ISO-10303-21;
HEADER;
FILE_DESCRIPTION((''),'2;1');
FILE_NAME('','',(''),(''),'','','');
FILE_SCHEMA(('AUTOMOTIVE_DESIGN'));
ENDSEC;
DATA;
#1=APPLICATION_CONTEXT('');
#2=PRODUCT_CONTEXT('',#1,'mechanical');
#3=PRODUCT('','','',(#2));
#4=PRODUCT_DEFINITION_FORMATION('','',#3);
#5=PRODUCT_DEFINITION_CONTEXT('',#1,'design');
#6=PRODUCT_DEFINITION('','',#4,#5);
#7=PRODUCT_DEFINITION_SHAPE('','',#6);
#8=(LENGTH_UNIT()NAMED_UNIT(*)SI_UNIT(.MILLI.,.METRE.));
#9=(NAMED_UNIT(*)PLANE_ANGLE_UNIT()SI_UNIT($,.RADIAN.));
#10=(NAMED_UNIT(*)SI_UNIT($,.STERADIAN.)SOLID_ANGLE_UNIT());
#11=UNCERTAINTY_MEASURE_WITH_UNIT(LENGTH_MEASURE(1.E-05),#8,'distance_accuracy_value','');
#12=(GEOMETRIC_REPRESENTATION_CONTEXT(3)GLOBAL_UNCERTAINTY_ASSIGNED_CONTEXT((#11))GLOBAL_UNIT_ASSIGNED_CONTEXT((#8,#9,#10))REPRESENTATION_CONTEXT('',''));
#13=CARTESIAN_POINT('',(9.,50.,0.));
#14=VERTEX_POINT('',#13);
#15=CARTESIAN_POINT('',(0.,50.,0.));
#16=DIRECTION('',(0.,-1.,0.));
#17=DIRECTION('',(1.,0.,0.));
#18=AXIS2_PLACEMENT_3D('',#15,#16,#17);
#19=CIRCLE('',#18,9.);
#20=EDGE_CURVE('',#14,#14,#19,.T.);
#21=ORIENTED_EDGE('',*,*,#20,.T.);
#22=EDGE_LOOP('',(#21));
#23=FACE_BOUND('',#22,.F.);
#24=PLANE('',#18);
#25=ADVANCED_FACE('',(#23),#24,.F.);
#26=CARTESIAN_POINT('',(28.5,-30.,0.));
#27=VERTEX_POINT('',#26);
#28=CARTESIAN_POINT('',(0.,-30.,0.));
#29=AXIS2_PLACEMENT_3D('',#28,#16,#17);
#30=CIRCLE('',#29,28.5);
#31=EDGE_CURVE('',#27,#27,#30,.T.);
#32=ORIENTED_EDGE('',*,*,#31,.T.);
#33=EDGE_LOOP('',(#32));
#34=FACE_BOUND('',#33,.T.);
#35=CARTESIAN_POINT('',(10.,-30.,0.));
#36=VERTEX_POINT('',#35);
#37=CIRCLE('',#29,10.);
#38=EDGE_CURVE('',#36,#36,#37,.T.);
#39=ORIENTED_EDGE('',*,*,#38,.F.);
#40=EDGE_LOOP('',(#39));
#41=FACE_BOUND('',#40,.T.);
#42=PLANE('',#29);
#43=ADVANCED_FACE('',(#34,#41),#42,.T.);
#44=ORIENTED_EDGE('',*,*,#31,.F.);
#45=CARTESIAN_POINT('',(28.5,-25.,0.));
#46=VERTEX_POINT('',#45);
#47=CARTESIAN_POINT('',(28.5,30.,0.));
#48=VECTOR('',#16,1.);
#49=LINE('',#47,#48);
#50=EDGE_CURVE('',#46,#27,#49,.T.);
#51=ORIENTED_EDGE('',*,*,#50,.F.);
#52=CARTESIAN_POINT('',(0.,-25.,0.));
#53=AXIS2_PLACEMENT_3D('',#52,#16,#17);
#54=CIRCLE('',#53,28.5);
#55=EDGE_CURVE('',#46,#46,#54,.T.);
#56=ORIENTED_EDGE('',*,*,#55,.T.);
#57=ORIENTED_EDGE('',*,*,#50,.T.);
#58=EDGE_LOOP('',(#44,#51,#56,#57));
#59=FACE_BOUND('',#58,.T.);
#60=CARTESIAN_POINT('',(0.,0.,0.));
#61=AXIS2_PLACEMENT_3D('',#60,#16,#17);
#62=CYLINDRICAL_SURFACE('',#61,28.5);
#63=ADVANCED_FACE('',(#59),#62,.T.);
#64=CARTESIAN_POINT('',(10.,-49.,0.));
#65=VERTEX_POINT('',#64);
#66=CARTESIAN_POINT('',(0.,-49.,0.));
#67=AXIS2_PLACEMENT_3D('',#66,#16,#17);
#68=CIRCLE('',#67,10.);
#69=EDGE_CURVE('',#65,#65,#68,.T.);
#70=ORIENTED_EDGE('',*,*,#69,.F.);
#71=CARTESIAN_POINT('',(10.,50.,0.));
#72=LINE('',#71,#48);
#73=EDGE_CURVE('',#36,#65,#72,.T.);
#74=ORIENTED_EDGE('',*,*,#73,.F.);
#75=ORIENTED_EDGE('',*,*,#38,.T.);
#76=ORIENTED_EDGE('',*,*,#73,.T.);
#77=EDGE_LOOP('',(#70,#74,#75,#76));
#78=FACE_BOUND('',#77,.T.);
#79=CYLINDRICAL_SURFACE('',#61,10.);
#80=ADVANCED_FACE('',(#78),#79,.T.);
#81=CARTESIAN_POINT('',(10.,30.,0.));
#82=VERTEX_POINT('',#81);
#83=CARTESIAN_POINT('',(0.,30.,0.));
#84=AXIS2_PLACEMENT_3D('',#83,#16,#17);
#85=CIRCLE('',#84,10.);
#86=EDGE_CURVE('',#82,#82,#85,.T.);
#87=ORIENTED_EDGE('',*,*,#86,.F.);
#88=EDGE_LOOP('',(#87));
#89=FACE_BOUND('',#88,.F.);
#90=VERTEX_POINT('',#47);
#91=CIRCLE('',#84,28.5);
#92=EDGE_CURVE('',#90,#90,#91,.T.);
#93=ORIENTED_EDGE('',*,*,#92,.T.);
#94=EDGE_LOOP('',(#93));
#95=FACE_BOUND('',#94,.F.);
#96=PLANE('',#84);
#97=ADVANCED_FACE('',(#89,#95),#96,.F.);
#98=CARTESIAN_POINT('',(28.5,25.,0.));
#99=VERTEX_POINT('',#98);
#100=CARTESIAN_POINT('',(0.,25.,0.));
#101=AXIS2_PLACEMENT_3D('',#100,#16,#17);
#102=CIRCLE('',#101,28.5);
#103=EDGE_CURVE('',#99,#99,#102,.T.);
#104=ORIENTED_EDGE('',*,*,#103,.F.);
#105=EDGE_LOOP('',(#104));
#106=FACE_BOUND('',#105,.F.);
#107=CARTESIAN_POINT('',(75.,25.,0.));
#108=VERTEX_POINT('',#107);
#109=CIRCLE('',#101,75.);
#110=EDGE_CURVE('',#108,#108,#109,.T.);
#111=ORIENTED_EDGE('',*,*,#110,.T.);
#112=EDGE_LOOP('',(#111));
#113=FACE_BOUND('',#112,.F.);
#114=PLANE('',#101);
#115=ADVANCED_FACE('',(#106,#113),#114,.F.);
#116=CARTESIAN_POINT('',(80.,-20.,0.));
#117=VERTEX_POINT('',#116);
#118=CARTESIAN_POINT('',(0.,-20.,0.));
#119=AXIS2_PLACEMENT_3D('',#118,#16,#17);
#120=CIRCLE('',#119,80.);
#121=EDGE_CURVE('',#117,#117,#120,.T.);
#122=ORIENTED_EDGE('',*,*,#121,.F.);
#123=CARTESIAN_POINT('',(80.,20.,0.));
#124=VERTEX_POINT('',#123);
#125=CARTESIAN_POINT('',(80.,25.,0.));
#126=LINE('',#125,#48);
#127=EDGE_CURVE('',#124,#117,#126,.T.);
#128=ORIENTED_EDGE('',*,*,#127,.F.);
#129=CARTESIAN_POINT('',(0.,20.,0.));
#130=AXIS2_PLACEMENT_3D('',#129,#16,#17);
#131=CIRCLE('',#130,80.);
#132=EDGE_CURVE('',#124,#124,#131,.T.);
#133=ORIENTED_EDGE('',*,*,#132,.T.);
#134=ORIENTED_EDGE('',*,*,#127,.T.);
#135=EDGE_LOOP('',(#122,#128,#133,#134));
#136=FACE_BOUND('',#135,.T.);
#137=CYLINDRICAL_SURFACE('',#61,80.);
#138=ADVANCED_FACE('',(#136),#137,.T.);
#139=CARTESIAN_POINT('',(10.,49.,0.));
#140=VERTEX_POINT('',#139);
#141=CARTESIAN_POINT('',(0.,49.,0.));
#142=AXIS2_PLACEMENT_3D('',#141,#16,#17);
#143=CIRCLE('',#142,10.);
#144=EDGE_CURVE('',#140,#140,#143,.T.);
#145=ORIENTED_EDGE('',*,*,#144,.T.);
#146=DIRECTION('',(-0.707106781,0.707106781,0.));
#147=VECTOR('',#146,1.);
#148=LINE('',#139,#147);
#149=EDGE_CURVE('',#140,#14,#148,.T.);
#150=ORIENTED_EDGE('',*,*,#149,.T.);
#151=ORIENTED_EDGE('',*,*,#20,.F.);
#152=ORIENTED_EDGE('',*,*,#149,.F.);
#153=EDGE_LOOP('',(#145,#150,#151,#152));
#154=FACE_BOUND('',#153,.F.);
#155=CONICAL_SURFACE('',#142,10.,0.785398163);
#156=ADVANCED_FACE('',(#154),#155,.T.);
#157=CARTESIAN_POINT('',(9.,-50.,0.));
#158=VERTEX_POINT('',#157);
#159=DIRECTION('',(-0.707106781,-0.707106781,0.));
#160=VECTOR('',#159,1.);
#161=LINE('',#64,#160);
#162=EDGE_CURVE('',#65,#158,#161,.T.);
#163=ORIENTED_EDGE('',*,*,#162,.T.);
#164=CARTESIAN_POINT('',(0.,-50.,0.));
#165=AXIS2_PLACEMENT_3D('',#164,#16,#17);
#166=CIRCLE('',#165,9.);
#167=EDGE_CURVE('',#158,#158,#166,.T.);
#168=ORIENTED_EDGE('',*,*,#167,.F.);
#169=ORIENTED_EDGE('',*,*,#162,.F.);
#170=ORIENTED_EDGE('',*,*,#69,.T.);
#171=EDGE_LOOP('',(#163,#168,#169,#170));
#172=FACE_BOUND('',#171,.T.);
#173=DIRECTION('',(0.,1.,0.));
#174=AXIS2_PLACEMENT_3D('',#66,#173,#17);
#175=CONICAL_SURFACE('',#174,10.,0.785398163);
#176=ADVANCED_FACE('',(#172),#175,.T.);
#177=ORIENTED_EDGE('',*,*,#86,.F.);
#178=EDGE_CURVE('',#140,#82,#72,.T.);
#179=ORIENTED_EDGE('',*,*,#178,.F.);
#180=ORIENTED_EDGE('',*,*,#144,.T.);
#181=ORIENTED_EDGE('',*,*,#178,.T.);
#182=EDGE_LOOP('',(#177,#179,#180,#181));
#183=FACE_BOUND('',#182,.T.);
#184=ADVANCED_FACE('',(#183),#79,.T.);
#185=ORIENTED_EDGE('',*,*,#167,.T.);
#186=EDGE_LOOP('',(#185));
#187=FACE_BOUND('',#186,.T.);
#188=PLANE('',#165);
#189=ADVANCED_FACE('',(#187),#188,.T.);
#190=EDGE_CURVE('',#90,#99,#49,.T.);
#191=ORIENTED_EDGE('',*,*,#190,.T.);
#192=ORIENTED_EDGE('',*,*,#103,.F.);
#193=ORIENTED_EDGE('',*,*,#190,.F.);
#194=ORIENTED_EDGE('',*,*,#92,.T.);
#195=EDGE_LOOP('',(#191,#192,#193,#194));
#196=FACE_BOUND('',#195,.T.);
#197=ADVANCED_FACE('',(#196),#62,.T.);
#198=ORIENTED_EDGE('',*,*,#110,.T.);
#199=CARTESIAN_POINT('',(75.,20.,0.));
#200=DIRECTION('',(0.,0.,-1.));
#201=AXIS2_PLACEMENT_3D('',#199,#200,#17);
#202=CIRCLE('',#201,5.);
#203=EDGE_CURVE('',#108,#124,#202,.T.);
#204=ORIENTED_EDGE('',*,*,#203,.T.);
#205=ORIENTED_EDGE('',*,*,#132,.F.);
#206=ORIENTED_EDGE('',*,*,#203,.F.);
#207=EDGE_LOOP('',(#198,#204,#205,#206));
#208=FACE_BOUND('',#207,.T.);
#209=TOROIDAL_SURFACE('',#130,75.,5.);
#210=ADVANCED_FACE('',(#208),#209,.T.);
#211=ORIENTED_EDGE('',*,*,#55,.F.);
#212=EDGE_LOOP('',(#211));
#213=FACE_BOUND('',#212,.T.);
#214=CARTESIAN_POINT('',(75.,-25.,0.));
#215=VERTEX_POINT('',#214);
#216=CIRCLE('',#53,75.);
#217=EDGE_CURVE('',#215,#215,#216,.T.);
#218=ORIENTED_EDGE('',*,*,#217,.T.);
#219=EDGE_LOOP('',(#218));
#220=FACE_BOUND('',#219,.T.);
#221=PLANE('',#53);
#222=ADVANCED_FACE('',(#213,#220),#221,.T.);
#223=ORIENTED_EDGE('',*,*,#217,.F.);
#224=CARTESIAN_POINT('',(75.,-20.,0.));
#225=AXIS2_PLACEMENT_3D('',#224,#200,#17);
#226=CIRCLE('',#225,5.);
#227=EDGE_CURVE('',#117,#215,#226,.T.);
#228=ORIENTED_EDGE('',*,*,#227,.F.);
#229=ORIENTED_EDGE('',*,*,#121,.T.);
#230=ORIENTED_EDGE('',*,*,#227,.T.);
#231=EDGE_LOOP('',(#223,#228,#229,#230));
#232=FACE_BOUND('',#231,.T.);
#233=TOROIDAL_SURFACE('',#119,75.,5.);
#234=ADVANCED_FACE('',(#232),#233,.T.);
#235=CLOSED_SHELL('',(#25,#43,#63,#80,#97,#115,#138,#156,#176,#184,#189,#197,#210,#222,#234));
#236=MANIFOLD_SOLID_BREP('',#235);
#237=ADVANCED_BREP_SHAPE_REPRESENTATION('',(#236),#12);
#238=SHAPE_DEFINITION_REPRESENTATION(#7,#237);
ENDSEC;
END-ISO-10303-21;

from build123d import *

# Parameters (mm, degrees)
F0_R     = 80
F0_R_2   = 75
F0_R_3   = 28.5
F1_DEPTH = 25
F0_R_4   = 10
F2_DEPTH = 30
F3_DEPTH = 50
F4_R     = 5
F5_SIZE  = 1


with BuildPart() as f1:
    # F0 (on Front) → F1 (new body, symmetric)
    with BuildSketch(Plane.XZ):
        Circle(F0_R)
        Circle(F0_R_2, mode=Mode.SUBTRACT)
        Circle(F0_R_2)
        Circle(F0_R_3, mode=Mode.SUBTRACT)
    extrude(amount=F1_DEPTH, both=True)

    # F0 (on Front) → F2 (join, symmetric)
    with BuildSketch(Plane.XZ):
        Circle(F0_R_3)
        Circle(F0_R_4, mode=Mode.SUBTRACT)
    extrude(amount=F2_DEPTH, both=True)

    # F0 (on Front) → F3 (join, symmetric)
    with BuildSketch(Plane.XZ):
        Circle(F0_R_4)
    extrude(amount=F3_DEPTH, both=True)

    # F4
    f4_edges = [f1.edges().sort_by_distance(p)[0] for p in [
        (-80, -25, 0),
        (-80, 25, 0),
    ]]
    fillet(f4_edges, radius=F4_R)

    # F5
    f5_edges = [f1.edges().sort_by_distance(p)[0] for p in [
        (-10, -50, 0),
        (-10, 50, 0),
    ]]
    chamfer(f5_edges, length=F5_SIZE)


solid = f1.part
